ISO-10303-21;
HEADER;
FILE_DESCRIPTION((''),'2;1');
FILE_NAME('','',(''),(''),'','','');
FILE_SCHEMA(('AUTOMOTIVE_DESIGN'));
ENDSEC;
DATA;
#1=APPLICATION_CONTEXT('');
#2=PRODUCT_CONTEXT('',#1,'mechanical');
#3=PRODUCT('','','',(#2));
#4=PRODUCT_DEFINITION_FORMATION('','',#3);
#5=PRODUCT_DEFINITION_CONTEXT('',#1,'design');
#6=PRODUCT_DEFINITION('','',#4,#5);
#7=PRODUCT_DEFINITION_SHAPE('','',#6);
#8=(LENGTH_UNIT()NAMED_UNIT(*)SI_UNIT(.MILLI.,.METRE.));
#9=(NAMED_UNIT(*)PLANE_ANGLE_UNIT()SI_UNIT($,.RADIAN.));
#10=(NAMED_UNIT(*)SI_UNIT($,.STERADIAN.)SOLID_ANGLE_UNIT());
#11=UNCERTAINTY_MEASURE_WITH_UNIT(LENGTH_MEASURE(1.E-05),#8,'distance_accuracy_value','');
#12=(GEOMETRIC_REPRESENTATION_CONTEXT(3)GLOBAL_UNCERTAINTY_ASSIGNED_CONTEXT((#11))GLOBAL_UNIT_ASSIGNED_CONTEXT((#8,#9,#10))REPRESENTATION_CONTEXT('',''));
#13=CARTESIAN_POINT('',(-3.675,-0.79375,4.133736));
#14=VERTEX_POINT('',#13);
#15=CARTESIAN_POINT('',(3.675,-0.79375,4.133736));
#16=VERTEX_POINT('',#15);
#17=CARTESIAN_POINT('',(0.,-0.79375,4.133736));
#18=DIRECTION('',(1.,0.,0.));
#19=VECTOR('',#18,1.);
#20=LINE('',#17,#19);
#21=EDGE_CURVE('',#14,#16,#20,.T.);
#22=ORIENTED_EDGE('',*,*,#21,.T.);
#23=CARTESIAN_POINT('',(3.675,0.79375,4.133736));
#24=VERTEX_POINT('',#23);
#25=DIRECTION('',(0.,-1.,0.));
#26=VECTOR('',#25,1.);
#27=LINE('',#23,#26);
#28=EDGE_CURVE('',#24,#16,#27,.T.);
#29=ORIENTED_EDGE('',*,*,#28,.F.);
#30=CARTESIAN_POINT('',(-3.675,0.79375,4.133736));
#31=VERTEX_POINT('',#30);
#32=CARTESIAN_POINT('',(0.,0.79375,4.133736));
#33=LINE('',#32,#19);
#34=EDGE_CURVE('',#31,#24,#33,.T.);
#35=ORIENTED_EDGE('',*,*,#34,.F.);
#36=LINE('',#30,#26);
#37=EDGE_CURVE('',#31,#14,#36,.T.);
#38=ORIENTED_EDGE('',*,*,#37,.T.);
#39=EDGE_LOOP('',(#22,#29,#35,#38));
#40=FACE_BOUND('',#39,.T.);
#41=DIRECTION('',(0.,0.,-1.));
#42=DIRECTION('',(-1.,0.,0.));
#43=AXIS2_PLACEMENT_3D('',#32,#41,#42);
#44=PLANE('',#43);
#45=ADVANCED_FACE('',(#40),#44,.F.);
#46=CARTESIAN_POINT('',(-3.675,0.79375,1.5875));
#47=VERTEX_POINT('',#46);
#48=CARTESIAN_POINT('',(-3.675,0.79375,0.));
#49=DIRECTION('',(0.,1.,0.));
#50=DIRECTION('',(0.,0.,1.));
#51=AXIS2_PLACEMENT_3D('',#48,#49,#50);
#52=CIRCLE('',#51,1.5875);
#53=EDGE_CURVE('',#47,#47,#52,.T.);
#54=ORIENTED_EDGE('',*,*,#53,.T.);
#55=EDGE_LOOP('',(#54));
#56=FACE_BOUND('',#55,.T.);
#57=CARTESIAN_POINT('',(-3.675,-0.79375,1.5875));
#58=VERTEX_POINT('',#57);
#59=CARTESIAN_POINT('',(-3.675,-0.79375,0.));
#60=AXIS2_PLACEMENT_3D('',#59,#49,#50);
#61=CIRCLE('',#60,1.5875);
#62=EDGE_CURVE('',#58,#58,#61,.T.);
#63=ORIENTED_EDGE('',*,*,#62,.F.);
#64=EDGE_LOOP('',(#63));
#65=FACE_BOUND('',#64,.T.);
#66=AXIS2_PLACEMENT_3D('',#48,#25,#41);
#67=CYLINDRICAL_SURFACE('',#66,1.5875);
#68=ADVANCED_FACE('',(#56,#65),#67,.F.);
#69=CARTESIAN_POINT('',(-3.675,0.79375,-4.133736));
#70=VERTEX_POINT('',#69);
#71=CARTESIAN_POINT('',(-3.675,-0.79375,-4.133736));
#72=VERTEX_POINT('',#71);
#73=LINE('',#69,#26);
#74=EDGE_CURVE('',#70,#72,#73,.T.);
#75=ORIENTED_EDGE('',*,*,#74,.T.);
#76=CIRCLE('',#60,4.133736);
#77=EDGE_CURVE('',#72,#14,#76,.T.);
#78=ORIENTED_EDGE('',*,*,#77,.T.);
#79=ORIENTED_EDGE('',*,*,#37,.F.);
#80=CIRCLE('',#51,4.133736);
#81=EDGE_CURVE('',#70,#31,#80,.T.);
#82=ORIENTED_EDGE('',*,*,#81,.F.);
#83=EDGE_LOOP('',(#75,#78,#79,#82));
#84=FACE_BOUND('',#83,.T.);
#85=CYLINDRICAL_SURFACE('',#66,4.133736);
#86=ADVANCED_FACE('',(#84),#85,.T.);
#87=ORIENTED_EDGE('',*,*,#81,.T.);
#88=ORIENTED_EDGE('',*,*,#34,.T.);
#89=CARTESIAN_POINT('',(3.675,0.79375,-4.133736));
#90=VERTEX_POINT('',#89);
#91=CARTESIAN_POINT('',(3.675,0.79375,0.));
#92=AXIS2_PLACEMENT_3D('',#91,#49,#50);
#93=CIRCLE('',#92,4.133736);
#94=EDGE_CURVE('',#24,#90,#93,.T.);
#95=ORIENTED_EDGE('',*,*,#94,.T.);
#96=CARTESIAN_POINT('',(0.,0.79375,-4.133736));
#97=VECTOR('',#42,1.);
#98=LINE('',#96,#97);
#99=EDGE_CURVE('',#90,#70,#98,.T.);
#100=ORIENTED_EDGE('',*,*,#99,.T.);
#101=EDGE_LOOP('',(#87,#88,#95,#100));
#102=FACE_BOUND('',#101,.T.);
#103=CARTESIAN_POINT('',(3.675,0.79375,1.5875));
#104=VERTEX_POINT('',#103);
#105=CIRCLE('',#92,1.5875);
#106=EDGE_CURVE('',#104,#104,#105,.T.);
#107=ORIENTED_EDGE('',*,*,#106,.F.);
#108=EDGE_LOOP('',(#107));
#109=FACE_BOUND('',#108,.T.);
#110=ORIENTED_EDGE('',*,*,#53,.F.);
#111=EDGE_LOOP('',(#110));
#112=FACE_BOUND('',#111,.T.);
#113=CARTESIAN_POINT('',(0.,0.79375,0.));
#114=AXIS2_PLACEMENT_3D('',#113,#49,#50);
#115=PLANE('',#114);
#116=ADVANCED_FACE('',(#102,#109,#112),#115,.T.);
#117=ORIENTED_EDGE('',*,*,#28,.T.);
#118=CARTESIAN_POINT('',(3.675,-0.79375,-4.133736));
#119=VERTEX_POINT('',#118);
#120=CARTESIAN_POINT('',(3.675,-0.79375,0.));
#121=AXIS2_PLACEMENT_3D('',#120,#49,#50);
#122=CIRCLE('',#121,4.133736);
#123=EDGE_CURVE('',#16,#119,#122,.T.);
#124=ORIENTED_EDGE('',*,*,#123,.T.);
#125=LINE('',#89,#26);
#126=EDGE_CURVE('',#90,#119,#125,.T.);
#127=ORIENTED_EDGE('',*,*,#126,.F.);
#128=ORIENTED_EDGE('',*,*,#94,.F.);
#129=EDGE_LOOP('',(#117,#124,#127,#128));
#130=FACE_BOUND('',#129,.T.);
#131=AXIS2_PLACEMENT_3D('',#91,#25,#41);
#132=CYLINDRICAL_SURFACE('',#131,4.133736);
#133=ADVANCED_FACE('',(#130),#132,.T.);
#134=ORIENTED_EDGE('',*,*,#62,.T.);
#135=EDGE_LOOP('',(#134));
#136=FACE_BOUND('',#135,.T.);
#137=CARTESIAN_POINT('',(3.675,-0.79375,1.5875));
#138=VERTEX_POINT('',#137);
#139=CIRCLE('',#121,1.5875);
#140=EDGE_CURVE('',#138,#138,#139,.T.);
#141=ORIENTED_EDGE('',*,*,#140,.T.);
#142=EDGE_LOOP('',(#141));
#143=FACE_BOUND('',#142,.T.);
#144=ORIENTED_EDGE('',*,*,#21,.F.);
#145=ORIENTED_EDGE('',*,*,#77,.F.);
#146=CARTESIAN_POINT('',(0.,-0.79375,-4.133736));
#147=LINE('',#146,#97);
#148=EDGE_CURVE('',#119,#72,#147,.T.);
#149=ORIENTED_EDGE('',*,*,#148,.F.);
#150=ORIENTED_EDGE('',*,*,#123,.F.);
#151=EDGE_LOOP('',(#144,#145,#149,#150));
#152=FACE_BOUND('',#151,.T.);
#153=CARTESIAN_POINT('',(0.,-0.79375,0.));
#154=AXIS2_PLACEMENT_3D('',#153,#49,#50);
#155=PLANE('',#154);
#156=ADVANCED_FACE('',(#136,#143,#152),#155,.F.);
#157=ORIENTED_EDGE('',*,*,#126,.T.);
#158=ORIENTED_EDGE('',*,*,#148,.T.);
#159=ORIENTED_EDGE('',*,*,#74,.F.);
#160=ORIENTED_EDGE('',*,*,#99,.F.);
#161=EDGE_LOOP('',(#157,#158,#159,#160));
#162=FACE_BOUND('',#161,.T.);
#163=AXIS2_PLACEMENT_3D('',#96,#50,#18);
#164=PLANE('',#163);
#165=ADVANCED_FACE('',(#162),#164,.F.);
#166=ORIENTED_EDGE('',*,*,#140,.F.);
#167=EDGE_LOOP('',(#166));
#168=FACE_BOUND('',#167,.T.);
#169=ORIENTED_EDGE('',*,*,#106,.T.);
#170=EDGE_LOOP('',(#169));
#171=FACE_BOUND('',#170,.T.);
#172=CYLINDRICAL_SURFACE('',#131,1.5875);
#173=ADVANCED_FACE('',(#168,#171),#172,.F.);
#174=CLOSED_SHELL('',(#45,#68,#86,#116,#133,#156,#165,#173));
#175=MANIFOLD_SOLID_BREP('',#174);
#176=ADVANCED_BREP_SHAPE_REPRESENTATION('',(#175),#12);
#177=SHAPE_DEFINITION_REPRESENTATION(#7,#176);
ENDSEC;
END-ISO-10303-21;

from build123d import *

# Parameters (mm, degrees)
SKETCH1_R           = 1.5875
BOSS_EXTRUDE2_DEPTH = 0.79375


with BuildPart() as part:
    # Sketch1 → Boss-Extrude2 (new, symmetric)
    with BuildSketch(Plane(origin=(0, 0, 0), x_dir=(1, 0, 0), z_dir=(0, 1, 0))):
        with BuildLine():
            Line((3.675, 4.133736316), (-3.675, 4.133736316))
            ThreePointArc((-3.675, 4.133736316), (-7.808736316, 0), (-3.675, -4.133736316))
            Line((-3.675, -4.133736316), (3.675, -4.133736316))
            ThreePointArc((3.675, -4.133736316), (7.808736316, 0), (3.675, 4.133736316))
        make_face()
        with Locations(Location((3.675, 0, 0), (0, 0, 270))):
            Circle(SKETCH1_R, mode=Mode.SUBTRACT)
        with Locations(Location((-3.675, 0, 0), (0, 0, 270))):
            Circle(SKETCH1_R, mode=Mode.SUBTRACT)
    extrude(amount=BOSS_EXTRUDE2_DEPTH, both=True)


solid = part.part
